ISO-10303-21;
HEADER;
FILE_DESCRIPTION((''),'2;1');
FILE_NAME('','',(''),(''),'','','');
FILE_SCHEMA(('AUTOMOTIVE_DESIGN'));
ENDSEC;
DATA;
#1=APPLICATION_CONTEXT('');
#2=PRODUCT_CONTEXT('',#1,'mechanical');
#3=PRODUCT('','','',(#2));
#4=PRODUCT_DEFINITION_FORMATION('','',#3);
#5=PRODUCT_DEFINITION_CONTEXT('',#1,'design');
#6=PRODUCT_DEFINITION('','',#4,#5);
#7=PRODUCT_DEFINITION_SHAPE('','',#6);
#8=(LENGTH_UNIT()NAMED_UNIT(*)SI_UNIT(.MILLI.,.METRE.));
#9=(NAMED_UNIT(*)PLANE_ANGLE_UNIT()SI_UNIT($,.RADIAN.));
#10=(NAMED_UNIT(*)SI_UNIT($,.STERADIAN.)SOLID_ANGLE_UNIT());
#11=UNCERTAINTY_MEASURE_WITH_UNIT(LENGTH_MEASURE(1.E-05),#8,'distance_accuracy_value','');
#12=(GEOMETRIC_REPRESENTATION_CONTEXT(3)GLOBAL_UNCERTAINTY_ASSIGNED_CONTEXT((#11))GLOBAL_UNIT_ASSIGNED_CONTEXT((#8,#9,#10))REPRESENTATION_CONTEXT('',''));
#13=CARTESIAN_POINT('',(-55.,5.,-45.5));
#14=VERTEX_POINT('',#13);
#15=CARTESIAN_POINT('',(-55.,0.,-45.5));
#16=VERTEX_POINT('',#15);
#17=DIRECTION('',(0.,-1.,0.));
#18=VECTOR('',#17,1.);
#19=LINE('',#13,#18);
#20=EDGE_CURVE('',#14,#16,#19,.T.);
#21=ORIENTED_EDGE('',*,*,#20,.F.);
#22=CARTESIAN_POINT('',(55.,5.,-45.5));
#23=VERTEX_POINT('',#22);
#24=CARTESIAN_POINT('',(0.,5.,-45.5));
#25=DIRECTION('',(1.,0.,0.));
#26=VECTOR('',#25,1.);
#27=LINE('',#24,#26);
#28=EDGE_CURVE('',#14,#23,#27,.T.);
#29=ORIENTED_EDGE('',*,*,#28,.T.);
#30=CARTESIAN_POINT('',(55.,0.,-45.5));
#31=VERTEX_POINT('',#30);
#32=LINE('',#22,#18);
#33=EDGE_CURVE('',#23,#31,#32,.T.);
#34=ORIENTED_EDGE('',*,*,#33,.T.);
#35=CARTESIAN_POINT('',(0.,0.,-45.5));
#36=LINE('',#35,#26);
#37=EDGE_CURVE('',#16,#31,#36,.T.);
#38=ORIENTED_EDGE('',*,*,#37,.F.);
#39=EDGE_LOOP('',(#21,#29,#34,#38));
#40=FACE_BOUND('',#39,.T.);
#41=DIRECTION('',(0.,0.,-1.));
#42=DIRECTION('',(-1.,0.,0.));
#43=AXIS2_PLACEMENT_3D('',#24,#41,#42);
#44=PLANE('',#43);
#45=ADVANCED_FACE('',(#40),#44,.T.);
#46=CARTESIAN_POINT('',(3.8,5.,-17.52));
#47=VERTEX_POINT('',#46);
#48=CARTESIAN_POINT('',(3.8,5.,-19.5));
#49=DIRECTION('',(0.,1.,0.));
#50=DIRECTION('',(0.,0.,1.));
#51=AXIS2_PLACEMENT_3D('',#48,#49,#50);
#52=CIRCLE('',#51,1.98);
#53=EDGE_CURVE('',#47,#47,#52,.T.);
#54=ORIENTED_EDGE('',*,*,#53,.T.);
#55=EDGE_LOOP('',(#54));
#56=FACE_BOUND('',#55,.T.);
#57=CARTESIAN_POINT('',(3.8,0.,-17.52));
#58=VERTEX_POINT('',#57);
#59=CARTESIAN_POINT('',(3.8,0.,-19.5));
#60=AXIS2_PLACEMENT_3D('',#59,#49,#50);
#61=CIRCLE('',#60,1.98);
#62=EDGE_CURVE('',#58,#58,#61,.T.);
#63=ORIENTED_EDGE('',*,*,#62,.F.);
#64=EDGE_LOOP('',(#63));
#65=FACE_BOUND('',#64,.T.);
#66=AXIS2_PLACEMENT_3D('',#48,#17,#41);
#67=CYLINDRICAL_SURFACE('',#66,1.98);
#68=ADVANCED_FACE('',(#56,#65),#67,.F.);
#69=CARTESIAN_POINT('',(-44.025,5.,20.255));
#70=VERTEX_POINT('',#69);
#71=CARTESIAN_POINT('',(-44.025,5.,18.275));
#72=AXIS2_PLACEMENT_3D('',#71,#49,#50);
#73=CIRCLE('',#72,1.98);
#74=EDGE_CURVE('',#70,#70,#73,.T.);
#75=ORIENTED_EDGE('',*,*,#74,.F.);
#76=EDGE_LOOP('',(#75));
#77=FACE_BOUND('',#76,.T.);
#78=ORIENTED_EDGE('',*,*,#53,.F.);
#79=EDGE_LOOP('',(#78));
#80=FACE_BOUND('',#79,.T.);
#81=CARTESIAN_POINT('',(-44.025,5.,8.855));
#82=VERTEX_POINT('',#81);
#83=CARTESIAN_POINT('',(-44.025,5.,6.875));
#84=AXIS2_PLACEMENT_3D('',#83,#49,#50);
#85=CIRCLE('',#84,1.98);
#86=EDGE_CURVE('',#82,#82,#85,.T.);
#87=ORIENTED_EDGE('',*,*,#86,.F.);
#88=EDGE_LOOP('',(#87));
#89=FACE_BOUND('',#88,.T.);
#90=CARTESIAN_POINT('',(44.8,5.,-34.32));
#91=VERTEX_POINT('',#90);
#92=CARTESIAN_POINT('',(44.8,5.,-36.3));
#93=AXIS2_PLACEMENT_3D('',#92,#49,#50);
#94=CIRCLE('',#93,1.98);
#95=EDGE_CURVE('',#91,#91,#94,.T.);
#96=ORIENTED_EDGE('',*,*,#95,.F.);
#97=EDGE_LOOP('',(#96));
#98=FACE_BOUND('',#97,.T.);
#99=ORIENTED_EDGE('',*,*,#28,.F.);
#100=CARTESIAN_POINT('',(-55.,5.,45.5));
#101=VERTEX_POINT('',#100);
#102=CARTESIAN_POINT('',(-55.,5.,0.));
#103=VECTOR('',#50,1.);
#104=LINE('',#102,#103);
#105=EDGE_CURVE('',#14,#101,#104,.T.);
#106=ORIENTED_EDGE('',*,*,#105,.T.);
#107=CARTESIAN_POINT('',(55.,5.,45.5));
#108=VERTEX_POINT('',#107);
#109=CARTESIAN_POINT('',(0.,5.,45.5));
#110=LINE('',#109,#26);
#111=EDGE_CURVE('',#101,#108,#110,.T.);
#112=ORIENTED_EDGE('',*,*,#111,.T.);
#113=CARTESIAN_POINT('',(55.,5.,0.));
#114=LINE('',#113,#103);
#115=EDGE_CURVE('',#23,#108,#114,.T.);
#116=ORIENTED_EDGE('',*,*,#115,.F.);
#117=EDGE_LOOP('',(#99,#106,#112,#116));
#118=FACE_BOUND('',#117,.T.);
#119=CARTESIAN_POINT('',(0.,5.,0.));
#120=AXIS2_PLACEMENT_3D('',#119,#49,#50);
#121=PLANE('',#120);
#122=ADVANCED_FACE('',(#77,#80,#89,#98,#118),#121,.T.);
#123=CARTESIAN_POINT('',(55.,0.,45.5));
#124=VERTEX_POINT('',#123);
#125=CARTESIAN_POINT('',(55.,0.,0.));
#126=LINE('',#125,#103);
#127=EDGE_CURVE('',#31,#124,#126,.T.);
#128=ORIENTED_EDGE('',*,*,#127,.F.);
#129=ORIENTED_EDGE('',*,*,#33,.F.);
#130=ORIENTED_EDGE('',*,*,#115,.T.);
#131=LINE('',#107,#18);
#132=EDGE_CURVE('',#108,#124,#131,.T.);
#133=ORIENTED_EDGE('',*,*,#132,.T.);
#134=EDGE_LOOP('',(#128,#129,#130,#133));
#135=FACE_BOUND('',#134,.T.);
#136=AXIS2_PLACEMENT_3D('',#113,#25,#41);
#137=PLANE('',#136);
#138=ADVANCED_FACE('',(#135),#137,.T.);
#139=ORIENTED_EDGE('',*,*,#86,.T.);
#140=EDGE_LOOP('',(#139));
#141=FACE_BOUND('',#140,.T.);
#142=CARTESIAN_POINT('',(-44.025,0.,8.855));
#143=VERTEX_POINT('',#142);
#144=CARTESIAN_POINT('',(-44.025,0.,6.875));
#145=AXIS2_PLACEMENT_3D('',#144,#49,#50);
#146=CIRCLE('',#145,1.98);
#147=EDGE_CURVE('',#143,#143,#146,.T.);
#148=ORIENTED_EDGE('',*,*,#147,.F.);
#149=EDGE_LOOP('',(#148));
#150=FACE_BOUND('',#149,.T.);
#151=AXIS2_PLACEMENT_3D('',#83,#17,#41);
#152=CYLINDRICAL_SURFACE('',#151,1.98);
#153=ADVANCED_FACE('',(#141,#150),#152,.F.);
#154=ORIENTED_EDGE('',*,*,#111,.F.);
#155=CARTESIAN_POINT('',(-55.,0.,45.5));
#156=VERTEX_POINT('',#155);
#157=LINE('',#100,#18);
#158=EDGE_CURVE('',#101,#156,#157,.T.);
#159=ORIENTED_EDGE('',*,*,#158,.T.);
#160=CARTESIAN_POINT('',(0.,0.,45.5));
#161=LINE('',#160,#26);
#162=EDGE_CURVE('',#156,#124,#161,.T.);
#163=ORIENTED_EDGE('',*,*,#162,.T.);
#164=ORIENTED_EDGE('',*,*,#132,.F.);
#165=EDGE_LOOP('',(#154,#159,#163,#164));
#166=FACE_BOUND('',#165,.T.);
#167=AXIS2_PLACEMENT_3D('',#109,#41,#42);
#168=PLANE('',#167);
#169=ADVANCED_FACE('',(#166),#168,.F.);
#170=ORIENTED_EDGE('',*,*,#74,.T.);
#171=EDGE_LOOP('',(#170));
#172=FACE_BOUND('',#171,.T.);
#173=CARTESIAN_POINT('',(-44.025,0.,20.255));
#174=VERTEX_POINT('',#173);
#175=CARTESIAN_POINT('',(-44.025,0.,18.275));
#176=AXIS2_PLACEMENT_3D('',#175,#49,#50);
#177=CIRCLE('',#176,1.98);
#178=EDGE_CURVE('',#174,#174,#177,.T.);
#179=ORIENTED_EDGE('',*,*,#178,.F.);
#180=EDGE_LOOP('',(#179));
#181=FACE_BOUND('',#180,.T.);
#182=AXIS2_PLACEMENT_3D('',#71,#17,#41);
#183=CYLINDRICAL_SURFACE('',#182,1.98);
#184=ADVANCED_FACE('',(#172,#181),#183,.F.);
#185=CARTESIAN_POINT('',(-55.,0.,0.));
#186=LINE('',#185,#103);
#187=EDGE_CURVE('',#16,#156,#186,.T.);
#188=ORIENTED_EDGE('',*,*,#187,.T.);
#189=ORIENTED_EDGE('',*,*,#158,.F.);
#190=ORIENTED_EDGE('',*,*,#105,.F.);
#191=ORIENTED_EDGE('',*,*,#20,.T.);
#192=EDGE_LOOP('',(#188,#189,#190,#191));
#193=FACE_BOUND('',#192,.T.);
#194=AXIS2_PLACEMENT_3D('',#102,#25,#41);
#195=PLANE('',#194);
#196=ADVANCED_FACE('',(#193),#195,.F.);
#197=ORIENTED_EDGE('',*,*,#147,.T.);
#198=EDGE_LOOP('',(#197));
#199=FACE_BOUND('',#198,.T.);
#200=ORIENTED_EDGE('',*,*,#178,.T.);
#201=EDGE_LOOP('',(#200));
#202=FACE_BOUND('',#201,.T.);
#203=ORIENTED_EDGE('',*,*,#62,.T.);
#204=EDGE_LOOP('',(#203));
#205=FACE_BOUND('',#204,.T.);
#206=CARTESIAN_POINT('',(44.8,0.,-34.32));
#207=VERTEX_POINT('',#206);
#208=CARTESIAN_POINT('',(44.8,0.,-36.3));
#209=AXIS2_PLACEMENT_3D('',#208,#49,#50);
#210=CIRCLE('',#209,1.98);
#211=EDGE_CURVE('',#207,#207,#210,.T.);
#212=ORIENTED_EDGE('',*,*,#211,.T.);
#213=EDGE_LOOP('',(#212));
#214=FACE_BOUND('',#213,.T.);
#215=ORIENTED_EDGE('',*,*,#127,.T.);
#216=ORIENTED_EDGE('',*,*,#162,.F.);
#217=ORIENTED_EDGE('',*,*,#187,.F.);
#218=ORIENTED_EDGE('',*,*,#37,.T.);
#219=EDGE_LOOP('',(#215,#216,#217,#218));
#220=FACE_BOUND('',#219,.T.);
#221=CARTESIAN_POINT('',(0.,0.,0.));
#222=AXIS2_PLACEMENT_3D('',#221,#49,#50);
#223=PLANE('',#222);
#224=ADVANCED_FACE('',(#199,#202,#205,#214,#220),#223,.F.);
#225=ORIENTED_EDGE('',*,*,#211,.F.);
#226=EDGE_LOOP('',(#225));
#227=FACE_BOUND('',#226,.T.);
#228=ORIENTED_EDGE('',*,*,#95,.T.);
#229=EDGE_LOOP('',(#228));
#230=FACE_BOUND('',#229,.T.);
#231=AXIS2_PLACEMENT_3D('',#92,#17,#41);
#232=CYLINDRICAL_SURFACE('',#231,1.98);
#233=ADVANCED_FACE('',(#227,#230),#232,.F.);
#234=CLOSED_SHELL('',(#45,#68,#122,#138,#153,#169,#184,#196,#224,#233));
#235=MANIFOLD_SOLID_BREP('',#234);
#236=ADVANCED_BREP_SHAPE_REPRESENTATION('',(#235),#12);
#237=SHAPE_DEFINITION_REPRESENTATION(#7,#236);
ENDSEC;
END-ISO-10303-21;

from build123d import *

# Parameters (mm, degrees)
SKETCH1_W           = 110
SKETCH1_H           = 91
SKETCH1_R           = 1.98
BOSS_EXTRUDE1_DEPTH = 5


with BuildPart() as part:
    # Sketch1 → Boss-Extrude1 (new body)
    with BuildSketch(Plane(origin=(0, 0, 0), x_dir=(1, 0, 0), z_dir=(0, 1, 0))):
        Rectangle(SKETCH1_W, SKETCH1_H)
        with Locations((-44.025, -18.275)):
            Circle(SKETCH1_R, mode=Mode.SUBTRACT)
        with Locations((-44.025, -6.875)):
            Circle(SKETCH1_R, mode=Mode.SUBTRACT)
        with Locations((3.8, 19.5)):
            Circle(SKETCH1_R, mode=Mode.SUBTRACT)
        with BuildLine():
            ThreePointArc((46.78, 36.3), (45.465452324, 34.435174752), (43.267299794, 35.046512833))
            ThreePointArc((43.267299794, 35.046512833), (43.553744952, 37.838586479), (46.344438628, 37.538995289))
            ThreePointArc((46.344438628, 37.538995289), (46.6679385, 36.956662591), (46.78, 36.3))
        make_face(mode=Mode.SUBTRACT)
    extrude(amount=BOSS_EXTRUDE1_DEPTH)


solid = part.part
